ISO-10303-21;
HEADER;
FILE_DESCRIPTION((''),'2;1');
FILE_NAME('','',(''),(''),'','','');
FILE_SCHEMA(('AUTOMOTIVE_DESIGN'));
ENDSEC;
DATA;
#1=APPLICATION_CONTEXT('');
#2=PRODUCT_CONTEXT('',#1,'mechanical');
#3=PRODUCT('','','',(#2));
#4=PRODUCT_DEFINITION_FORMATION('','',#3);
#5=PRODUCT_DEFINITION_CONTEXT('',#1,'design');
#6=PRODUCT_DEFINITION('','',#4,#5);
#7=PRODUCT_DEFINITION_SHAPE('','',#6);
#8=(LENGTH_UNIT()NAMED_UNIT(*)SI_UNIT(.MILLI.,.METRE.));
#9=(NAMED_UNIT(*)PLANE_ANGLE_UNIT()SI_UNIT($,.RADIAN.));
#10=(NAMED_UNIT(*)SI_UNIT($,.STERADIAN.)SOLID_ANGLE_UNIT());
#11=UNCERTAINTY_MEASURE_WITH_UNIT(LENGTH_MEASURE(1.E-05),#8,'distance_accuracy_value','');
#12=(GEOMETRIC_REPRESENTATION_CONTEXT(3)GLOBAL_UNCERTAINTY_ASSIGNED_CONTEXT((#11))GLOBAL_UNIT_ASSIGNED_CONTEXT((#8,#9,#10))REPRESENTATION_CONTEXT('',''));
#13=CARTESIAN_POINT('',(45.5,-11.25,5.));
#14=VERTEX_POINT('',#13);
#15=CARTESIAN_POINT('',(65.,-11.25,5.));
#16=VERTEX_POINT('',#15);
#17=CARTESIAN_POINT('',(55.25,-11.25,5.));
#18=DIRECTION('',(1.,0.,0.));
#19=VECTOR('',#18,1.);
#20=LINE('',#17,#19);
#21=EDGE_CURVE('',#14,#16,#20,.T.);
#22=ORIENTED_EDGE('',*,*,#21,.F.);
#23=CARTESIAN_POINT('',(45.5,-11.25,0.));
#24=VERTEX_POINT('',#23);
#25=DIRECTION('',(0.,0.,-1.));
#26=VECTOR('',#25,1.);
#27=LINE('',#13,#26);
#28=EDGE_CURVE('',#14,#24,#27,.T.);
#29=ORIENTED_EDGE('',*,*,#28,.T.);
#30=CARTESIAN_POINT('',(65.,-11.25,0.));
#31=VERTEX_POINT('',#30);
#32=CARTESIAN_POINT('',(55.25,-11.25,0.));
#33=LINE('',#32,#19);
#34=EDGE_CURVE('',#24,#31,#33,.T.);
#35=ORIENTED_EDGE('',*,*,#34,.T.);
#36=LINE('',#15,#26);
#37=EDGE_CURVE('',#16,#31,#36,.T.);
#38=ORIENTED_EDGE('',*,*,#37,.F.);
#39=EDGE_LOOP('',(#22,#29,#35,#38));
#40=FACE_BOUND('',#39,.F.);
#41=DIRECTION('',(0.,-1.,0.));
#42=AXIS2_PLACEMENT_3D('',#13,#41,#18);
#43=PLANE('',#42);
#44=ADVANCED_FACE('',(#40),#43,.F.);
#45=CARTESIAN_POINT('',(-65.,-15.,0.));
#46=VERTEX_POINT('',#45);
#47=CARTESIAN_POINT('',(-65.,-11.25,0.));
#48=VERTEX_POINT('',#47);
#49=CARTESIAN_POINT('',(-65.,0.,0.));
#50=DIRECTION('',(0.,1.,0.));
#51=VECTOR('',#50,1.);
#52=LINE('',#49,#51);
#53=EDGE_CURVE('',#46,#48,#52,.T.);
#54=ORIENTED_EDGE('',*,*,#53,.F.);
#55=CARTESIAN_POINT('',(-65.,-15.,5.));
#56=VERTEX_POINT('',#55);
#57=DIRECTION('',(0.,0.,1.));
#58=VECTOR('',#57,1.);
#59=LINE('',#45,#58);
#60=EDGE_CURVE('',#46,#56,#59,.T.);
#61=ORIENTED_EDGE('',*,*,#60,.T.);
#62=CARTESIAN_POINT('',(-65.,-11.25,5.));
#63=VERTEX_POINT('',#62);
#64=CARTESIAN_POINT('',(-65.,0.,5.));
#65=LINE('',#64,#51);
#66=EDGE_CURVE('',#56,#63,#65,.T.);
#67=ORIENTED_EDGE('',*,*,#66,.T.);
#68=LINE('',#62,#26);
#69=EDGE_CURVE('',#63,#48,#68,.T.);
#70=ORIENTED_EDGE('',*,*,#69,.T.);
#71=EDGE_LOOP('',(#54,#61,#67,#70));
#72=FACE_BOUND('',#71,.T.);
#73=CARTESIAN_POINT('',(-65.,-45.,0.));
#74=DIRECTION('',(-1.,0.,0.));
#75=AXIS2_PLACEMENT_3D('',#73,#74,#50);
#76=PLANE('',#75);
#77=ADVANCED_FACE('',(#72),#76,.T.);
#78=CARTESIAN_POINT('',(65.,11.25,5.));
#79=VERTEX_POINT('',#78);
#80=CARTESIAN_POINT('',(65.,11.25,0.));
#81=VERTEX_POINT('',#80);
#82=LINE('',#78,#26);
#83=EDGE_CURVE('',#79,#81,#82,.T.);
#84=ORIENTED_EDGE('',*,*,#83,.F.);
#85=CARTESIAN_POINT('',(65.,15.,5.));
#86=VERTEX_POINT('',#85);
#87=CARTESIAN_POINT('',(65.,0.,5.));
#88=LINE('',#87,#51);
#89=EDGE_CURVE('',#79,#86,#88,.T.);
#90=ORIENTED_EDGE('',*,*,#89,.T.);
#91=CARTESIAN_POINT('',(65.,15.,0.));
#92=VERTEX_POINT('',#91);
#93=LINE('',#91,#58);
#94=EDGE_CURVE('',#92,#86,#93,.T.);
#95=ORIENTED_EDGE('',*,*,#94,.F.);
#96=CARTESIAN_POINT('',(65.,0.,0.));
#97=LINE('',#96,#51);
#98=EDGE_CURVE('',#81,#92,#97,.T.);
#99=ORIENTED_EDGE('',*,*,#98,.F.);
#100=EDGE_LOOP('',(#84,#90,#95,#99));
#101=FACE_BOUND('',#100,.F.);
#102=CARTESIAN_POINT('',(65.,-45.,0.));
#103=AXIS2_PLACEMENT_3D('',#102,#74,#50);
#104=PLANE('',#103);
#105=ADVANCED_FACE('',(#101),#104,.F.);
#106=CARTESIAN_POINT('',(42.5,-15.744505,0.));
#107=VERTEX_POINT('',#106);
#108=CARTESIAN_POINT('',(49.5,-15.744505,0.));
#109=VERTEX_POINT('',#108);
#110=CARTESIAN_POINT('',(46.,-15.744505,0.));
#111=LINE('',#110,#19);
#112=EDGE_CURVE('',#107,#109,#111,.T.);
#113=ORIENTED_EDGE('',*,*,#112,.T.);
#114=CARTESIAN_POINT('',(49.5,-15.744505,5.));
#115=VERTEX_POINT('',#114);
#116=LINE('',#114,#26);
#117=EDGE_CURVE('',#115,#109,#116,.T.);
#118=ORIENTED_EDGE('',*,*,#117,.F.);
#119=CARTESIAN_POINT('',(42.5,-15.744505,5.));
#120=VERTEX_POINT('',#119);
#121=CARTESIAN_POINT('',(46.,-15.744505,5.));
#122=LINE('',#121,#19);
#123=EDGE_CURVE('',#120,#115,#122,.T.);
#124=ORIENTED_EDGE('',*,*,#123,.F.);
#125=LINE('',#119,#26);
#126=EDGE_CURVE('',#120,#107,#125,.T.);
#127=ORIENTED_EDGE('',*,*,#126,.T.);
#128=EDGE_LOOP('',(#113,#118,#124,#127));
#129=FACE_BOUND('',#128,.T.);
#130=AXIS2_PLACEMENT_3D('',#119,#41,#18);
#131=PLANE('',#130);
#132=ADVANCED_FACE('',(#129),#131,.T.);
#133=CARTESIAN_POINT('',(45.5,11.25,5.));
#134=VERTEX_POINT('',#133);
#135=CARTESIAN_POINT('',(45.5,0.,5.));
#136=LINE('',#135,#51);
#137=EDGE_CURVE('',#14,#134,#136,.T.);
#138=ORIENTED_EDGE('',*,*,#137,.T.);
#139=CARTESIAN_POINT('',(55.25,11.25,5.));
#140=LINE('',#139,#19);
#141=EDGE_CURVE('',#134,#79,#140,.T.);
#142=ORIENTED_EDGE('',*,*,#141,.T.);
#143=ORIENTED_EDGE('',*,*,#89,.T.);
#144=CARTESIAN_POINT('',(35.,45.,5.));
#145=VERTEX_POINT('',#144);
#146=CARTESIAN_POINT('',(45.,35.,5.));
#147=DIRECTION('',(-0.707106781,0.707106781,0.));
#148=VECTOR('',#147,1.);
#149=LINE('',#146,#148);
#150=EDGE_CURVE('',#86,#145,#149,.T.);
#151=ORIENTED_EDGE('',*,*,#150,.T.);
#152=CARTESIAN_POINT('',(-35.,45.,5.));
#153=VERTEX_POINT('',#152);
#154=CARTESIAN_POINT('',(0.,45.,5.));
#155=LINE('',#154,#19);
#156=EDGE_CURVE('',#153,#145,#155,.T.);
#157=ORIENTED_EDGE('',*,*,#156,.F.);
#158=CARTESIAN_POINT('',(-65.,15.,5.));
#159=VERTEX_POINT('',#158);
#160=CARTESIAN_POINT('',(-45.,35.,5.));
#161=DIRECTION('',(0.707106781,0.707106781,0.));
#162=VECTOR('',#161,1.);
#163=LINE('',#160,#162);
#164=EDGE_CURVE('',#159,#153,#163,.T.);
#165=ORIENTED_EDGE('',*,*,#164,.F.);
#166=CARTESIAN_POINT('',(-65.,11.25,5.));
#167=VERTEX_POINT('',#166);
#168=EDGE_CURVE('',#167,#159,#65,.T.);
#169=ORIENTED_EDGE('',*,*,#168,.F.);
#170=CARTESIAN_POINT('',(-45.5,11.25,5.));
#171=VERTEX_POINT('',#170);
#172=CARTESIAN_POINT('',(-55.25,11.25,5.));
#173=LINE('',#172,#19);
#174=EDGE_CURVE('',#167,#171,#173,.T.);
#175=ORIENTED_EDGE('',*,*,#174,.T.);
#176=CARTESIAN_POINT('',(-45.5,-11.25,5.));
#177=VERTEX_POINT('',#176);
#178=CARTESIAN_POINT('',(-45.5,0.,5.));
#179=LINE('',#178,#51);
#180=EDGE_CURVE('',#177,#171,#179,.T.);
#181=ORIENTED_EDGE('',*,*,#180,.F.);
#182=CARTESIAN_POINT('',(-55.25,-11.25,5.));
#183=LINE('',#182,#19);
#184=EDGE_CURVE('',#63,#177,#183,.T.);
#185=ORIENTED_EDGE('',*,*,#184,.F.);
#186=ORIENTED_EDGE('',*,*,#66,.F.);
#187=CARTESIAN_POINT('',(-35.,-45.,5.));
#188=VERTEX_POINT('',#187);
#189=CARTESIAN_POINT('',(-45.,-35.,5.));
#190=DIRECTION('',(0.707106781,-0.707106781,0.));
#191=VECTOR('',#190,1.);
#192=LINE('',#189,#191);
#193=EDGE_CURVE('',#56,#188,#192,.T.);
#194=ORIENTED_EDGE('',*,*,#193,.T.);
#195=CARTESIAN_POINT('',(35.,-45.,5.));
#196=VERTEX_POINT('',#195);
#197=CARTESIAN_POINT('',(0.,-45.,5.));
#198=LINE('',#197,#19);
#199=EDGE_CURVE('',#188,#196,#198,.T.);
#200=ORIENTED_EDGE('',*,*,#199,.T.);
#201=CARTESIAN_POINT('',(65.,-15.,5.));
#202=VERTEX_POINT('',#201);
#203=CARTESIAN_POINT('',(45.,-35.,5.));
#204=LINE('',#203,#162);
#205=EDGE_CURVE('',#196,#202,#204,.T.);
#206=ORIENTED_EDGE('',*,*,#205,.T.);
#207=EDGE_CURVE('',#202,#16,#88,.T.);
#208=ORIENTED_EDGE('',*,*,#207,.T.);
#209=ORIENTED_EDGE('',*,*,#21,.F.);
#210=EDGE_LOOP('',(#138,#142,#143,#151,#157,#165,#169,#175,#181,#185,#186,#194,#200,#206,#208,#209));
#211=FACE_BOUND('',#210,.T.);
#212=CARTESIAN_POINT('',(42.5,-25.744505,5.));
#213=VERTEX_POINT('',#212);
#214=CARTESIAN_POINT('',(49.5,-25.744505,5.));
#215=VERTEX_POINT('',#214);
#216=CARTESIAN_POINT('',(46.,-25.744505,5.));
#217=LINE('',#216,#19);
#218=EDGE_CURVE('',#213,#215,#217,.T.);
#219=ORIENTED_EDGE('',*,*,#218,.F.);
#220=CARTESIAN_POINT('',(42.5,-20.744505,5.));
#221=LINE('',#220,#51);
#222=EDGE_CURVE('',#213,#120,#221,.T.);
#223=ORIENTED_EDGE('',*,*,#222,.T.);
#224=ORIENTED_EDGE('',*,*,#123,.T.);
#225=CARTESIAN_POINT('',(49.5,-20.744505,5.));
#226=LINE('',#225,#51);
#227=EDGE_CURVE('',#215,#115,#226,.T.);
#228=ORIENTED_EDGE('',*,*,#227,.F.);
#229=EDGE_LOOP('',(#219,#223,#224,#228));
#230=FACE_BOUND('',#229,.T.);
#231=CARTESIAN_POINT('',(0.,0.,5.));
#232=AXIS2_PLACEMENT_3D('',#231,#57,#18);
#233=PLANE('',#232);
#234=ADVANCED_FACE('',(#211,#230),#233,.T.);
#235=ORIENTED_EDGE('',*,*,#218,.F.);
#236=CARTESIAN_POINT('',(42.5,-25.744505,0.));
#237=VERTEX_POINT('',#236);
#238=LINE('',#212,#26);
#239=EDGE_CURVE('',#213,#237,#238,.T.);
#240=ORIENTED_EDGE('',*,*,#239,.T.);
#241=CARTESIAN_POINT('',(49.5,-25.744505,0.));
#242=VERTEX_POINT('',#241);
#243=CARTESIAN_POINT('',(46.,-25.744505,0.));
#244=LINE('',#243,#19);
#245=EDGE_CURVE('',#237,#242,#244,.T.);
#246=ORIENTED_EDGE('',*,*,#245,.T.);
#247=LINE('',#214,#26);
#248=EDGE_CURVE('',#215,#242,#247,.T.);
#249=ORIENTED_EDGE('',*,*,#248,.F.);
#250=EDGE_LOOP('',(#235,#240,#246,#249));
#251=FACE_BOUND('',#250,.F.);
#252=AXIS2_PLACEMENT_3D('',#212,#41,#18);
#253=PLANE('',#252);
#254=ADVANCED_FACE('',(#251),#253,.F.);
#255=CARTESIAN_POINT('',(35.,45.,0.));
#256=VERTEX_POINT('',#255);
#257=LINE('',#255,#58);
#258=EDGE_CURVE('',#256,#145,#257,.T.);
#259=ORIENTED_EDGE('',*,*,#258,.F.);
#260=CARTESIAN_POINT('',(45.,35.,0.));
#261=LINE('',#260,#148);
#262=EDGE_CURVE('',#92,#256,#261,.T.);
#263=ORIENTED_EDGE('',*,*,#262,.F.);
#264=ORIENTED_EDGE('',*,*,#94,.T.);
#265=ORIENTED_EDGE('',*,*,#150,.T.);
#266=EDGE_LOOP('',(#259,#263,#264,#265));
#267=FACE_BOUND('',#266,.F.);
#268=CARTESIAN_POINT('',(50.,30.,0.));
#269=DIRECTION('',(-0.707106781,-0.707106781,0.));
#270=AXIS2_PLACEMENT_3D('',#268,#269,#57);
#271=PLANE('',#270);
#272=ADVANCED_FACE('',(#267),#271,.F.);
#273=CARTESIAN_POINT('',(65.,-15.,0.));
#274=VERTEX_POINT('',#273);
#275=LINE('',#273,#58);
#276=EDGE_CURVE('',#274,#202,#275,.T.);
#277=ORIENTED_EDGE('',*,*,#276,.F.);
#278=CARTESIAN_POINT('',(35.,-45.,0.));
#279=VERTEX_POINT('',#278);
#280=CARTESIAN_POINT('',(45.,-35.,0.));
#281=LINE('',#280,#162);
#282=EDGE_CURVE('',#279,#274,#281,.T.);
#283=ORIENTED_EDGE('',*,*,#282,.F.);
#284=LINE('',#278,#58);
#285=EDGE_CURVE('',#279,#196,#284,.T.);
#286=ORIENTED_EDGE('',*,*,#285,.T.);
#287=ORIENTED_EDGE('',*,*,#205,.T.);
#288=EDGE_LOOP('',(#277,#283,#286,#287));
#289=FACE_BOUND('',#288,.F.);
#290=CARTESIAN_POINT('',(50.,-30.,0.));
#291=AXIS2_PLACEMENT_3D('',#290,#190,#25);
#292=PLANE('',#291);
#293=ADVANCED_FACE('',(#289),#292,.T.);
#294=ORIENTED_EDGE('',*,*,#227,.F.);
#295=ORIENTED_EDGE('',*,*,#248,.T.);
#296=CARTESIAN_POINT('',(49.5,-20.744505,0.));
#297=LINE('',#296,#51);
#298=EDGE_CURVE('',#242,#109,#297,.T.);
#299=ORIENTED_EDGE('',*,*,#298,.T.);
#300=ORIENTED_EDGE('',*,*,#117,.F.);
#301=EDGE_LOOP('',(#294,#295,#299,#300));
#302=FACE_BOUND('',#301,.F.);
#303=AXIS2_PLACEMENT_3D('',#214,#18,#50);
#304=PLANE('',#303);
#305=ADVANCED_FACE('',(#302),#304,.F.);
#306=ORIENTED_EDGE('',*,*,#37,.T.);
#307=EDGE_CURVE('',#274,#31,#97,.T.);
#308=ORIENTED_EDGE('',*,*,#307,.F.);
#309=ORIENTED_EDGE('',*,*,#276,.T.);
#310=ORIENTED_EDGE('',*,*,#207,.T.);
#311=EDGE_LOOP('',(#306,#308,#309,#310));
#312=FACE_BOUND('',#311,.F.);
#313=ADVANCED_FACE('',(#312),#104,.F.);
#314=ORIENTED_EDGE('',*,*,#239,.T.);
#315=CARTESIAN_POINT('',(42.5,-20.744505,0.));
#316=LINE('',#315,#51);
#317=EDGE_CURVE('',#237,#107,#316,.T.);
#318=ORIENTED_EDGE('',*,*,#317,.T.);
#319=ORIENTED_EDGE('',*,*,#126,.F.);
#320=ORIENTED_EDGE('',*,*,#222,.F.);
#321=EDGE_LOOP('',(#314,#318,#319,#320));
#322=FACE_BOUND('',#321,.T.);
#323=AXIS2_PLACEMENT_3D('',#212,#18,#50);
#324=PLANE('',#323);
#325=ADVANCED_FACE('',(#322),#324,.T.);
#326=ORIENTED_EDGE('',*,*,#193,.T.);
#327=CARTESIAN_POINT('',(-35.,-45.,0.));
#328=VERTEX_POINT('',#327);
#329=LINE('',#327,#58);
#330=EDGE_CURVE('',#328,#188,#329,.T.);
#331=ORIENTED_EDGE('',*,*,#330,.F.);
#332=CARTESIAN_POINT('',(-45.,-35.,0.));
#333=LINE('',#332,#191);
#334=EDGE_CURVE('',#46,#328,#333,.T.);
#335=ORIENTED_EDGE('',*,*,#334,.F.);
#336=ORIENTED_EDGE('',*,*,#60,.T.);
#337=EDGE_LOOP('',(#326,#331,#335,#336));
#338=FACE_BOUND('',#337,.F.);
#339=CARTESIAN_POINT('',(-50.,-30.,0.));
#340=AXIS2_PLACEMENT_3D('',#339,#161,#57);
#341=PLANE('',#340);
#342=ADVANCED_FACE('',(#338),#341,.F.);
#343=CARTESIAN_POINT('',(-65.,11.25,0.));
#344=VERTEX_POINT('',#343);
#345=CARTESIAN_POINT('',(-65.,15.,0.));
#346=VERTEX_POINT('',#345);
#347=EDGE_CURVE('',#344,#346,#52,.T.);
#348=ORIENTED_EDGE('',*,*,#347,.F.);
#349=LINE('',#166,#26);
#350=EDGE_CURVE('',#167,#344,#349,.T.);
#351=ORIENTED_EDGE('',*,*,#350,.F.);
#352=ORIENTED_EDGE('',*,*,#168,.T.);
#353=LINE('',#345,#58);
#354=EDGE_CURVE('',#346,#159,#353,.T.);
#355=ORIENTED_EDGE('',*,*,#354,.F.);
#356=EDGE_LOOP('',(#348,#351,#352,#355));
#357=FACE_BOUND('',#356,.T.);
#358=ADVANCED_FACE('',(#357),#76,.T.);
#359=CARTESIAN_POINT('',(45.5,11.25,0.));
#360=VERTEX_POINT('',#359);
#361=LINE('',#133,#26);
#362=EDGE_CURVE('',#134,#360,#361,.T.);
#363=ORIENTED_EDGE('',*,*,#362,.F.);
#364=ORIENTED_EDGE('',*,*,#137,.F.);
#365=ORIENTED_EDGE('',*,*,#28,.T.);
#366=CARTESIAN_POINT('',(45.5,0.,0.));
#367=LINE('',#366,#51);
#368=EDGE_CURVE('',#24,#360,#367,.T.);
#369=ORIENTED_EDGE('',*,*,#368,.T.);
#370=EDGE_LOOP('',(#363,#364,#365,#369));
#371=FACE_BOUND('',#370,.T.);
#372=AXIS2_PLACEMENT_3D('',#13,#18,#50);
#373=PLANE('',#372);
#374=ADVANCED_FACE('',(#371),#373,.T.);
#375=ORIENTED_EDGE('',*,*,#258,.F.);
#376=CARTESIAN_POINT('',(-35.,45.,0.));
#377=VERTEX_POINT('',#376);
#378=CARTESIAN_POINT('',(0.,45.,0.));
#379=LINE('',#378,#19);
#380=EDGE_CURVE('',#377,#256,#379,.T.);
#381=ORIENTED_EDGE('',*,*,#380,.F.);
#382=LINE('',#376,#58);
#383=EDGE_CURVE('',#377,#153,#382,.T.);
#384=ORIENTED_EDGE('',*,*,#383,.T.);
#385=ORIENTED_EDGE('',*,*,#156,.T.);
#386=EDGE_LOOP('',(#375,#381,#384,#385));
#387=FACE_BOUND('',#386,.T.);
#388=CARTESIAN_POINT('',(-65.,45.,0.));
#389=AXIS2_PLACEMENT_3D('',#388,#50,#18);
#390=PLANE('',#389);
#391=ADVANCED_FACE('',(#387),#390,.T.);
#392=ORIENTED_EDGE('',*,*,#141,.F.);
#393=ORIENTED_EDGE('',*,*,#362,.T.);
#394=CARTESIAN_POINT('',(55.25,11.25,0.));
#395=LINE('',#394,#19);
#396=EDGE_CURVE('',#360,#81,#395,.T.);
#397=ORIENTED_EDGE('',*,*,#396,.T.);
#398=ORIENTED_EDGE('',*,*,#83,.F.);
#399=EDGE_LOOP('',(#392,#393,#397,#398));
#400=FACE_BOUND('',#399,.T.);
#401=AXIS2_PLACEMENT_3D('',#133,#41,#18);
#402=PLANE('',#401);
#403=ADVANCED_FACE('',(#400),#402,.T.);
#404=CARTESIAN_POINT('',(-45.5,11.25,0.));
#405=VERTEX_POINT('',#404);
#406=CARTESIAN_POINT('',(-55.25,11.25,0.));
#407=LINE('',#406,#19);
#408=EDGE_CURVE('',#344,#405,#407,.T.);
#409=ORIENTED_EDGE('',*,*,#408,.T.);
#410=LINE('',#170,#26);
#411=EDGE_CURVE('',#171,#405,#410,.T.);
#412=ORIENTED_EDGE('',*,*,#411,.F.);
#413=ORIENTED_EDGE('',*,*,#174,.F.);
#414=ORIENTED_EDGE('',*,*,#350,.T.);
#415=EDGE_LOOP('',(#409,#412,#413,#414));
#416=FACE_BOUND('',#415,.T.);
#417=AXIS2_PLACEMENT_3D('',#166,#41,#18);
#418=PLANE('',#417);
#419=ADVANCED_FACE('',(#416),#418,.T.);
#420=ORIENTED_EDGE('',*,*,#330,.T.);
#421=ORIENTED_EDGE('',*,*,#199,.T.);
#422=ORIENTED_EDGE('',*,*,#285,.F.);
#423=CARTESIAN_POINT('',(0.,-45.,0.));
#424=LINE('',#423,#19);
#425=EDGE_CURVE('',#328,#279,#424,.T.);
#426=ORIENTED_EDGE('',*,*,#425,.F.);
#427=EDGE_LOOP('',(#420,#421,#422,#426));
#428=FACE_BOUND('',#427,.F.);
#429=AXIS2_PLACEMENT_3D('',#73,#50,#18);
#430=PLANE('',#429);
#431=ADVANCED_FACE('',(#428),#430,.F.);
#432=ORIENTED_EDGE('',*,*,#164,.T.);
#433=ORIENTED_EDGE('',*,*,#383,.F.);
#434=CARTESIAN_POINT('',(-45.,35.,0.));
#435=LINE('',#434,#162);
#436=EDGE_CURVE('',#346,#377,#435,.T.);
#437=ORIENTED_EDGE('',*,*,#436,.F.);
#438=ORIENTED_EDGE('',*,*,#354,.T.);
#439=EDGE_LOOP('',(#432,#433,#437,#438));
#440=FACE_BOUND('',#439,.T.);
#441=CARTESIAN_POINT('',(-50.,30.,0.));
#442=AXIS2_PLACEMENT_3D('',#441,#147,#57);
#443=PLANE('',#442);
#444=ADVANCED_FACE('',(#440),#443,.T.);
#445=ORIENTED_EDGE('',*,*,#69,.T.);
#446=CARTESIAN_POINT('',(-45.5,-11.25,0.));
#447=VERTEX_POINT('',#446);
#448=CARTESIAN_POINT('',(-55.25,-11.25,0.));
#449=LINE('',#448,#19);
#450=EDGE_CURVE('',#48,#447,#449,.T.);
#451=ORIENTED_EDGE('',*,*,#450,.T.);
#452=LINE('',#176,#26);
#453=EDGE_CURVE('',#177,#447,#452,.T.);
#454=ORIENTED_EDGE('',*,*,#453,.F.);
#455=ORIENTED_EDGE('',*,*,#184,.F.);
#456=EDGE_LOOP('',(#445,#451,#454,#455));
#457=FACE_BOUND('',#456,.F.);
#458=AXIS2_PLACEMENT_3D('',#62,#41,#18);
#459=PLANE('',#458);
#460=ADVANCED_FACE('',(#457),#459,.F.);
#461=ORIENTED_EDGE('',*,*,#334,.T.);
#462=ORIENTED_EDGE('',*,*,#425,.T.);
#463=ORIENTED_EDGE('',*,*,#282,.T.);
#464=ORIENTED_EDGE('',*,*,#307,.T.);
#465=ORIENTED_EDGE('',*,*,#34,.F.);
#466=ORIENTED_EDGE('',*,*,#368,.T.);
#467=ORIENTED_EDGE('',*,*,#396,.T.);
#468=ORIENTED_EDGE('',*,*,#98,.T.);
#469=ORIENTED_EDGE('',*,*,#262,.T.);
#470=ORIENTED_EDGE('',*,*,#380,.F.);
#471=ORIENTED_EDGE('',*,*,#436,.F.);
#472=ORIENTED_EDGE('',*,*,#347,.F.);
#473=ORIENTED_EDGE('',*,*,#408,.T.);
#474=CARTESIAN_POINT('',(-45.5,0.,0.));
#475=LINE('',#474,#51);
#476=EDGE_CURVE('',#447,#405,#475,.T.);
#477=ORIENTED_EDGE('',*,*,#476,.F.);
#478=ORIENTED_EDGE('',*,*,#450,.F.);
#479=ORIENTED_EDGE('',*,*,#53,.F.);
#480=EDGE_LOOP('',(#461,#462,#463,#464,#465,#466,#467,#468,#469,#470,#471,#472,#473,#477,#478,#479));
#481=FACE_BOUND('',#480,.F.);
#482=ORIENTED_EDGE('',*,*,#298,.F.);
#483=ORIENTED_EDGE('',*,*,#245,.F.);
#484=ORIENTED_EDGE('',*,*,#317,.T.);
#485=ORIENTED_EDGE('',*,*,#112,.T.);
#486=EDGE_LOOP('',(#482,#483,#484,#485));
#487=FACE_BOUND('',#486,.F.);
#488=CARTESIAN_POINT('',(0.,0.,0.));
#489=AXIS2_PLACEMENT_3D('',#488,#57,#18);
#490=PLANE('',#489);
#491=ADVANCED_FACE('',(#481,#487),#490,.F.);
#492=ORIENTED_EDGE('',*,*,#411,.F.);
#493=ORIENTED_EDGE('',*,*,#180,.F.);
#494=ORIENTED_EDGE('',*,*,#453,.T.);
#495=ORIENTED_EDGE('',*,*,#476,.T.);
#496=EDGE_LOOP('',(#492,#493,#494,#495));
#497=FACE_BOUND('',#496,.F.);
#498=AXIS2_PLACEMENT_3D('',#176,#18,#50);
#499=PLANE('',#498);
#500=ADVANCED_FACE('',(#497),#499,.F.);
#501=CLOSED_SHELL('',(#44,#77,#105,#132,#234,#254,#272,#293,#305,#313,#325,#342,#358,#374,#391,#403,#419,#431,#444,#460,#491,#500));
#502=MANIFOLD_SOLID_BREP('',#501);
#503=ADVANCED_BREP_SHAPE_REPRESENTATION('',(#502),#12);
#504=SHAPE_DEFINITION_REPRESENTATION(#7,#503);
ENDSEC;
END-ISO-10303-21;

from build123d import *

# Parameters (mm, degrees)
SKETCH_W        = 130
SKETCH_H        = 90
PAD_DEPTH       = 5
CHAMFER_SIZE    = 30
SKETCH001_W     = 19.5
SKETCH001_H     = 22.5
POCKET_DEPTH    = 5
SKETCH002_W     = 7
SKETCH002_H     = 10
POCKET001_DEPTH = 5


with BuildPart() as part:
    # Sketch → Pad (new body)
    with BuildSketch(Plane.XY):
        Rectangle(SKETCH_W, SKETCH_H)
    extrude(amount=PAD_DEPTH)

    # Chamfer
    chamfer_edges = [part.edges().sort_by_distance(p)[0] for p in [
        (-65, -45, 2.5),
        (65, -45, 2.5),
        (65, 45, 2.5),
        (-65, 45, 2.5),
    ]]
    chamfer(chamfer_edges, length=CHAMFER_SIZE)

    # Sketch001 (on Face5 of Chamfer) → Pocket (cut)
    with BuildSketch(Plane.XY.offset(5)):
        with Locations((55.25, 0)):
            Rectangle(SKETCH001_W, SKETCH001_H)
        with Locations((-55.25, 0)):
            Rectangle(SKETCH001_W, SKETCH001_H)
    extrude(amount=-POCKET_DEPTH, mode=Mode.SUBTRACT)

    # Sketch002 (on Face5 of Pocket) → Pocket001 (cut)
    with BuildSketch(Plane.XY.offset(5)):
        with Locations((46, -20.744505)):
            Rectangle(SKETCH002_W, SKETCH002_H)
    extrude(amount=-POCKET001_DEPTH, mode=Mode.SUBTRACT)


solid = part.part
